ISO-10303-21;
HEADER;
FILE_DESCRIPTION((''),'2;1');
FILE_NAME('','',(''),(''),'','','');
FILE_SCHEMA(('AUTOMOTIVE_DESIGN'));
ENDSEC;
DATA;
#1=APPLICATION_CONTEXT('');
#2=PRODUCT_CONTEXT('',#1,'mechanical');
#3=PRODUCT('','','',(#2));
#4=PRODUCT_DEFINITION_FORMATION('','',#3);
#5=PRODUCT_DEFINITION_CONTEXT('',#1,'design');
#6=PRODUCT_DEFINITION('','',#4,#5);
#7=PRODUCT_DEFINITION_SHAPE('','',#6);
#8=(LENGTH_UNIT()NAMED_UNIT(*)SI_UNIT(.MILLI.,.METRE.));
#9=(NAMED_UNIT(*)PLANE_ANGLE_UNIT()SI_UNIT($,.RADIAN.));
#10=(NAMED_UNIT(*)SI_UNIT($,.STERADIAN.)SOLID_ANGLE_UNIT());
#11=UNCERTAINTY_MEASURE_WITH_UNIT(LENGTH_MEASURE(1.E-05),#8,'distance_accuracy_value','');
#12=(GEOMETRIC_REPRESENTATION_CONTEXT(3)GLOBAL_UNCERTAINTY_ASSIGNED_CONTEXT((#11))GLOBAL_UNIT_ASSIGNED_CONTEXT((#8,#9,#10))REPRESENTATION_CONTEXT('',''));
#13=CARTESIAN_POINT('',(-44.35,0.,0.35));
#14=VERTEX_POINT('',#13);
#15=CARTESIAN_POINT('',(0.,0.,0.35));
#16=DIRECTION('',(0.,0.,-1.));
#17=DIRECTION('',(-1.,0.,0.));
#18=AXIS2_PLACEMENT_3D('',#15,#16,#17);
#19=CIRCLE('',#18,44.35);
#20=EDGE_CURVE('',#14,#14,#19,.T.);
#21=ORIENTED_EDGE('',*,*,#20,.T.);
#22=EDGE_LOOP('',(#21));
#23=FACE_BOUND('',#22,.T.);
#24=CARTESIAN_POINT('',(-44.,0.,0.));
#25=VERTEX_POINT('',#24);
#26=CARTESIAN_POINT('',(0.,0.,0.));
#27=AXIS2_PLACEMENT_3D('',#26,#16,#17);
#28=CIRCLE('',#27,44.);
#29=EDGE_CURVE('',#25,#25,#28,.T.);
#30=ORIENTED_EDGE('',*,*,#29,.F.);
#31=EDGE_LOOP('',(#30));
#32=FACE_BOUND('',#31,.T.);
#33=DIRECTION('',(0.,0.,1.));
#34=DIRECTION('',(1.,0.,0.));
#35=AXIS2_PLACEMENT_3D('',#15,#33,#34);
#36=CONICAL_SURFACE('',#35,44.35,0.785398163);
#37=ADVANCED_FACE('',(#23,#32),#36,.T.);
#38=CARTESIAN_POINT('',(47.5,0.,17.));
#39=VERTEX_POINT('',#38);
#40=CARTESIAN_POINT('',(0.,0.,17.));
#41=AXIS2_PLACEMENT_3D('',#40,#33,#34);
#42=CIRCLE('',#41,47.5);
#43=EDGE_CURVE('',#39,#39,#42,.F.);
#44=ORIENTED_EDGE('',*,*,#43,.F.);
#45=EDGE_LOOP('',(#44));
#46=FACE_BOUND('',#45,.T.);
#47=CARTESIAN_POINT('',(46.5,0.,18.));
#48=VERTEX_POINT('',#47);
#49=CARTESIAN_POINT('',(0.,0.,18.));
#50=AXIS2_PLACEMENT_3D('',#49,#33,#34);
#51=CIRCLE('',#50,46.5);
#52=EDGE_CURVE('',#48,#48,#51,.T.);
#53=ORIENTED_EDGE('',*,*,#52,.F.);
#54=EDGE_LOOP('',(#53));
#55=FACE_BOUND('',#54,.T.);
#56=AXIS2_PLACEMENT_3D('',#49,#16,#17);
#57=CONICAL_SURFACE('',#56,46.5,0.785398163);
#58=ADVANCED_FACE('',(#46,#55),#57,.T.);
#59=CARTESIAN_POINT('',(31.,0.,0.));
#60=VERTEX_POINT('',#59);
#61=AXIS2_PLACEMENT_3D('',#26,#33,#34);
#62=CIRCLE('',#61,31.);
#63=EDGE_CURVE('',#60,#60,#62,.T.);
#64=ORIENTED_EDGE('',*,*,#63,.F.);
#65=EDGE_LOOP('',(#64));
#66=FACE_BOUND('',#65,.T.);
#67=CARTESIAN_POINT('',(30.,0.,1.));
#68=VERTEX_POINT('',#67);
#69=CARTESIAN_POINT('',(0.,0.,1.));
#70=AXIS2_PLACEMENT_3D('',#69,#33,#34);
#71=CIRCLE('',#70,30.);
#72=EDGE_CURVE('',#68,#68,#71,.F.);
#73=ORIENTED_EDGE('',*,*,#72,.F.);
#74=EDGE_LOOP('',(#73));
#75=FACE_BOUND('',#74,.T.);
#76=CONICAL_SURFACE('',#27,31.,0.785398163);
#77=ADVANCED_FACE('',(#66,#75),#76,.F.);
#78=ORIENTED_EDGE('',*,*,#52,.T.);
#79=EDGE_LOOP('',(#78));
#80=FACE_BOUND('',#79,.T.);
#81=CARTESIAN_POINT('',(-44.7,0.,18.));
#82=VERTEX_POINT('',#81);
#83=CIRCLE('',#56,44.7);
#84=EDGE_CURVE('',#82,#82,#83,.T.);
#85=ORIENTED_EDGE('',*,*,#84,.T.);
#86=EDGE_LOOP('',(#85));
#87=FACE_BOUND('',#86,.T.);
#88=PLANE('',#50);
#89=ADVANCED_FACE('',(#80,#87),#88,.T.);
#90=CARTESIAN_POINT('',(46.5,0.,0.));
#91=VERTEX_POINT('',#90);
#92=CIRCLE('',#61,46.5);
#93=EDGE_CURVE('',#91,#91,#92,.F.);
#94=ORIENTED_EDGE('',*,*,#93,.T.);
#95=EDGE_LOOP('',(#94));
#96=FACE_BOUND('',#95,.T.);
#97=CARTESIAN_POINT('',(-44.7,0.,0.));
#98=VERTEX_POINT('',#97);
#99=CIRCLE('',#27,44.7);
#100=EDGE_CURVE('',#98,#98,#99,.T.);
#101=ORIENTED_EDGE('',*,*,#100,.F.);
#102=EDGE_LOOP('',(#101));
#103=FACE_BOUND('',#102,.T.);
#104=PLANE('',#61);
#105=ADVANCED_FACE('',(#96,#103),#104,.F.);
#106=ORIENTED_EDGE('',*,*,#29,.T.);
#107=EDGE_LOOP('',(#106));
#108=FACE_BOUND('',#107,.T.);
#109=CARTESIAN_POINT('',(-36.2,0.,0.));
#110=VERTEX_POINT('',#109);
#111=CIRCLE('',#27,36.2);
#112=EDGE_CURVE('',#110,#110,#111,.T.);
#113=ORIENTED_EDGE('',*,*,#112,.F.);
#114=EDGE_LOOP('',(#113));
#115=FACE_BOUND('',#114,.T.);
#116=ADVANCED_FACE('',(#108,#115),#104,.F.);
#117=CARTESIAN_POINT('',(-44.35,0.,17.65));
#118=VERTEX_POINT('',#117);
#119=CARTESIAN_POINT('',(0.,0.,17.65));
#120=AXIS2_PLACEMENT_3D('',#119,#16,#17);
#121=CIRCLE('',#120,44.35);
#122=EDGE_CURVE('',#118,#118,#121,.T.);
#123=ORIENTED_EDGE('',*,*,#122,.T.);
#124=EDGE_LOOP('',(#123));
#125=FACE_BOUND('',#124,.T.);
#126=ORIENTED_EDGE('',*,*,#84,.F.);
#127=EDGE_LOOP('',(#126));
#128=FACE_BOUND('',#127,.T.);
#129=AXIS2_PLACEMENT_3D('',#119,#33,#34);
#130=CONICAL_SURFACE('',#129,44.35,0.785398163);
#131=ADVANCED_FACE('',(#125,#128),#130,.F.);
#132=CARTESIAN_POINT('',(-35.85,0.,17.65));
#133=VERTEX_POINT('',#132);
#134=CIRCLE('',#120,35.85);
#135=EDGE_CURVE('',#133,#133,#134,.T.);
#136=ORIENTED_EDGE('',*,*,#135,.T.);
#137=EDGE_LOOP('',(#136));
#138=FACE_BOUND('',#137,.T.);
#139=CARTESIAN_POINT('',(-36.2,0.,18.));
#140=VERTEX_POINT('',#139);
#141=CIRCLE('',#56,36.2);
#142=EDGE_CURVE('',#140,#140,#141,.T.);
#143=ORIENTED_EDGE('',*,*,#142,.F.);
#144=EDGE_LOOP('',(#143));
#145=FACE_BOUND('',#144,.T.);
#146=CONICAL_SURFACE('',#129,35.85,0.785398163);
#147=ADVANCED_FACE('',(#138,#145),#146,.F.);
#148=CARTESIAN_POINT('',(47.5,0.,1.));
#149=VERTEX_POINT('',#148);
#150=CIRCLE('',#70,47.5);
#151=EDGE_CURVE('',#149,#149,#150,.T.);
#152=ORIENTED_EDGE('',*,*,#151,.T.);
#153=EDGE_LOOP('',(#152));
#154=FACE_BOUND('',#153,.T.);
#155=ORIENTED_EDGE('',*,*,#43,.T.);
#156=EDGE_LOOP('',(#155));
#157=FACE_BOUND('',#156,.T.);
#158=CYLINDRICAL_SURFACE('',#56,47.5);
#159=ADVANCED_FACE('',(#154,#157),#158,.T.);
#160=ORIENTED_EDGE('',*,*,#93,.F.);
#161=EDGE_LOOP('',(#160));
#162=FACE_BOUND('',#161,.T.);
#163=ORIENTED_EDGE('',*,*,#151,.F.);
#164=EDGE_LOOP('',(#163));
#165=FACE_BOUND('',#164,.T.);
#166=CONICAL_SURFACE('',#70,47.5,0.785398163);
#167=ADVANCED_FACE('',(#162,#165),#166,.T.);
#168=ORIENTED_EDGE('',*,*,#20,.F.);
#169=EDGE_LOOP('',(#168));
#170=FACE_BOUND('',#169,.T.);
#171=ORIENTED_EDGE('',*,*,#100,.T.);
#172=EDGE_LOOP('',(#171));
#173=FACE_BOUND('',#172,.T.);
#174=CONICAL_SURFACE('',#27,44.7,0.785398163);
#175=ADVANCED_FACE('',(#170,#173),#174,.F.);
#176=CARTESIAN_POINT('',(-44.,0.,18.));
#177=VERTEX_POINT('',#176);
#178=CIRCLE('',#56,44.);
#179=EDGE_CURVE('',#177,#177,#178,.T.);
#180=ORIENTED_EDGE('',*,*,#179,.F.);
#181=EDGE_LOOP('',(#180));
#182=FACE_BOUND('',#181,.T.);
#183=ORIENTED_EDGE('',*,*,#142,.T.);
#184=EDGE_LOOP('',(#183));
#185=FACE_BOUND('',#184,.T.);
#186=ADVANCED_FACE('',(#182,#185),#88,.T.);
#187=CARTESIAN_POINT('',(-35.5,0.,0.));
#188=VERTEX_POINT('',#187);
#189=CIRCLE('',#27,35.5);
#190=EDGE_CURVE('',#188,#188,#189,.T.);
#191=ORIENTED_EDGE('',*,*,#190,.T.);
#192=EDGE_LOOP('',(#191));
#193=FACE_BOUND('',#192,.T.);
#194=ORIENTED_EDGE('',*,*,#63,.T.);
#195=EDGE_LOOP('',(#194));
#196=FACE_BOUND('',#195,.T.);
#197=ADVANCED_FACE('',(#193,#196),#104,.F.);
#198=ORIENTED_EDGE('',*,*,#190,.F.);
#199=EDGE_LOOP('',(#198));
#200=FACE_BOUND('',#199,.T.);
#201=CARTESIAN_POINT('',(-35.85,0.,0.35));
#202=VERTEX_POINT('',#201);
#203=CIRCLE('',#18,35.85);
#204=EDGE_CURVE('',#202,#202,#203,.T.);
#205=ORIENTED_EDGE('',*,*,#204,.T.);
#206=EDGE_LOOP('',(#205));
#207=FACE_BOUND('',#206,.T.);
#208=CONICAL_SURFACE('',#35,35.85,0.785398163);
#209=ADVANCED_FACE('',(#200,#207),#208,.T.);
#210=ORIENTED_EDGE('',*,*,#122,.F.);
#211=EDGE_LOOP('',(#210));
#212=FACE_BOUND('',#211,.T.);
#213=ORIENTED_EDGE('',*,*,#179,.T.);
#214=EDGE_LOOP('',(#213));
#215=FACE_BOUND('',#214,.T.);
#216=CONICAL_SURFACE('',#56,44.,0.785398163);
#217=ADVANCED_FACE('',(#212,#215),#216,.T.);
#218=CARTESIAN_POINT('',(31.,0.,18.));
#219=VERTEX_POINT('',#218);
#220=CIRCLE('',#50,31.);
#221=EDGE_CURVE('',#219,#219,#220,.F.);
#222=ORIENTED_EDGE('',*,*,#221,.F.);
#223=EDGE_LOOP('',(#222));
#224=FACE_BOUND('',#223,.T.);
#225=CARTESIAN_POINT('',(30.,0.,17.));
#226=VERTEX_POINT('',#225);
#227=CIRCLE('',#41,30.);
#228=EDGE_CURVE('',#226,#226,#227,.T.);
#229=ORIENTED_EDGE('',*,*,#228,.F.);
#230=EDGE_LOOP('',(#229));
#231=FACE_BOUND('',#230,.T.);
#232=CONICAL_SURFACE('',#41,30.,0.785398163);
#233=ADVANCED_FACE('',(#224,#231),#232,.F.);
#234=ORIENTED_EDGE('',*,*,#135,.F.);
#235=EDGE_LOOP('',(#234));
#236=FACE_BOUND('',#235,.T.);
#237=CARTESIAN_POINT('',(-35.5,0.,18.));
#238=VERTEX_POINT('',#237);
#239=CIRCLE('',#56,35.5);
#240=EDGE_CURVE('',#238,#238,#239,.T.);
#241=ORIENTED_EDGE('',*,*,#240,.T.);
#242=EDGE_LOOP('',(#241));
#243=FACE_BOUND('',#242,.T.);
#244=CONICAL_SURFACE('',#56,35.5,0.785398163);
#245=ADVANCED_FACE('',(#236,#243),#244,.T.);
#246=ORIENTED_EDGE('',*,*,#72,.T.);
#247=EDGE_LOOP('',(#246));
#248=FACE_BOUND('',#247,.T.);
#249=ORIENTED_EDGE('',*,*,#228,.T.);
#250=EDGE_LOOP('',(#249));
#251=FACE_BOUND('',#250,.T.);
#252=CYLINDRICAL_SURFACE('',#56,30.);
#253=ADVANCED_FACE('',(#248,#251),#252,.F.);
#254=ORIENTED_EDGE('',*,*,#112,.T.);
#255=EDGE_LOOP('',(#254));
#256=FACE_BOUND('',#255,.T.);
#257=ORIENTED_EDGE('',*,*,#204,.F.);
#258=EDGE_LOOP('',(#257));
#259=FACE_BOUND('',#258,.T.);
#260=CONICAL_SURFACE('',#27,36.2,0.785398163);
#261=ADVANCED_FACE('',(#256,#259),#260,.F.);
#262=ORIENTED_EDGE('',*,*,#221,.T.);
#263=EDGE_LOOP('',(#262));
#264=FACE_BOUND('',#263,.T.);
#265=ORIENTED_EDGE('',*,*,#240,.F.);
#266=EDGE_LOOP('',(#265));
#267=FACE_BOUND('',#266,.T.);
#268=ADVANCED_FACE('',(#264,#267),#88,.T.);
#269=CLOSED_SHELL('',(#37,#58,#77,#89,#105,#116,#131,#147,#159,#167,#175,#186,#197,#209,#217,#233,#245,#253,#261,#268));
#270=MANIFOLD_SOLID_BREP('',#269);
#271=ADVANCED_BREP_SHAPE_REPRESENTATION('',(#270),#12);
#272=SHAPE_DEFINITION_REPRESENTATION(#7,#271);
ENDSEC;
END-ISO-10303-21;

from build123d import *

# Parameters (mm, degrees)
SKETCH1_R      = 47.5
SKETCH1_R_2    = 30
EXTRUDE1_DEPTH = 18
CHAMFER1_SIZE  = 1


with BuildPart() as part:
    # Sketch1 → Extrude1 (new body)
    with BuildSketch(Plane.XY):
        Circle(SKETCH1_R)
        Circle(SKETCH1_R_2, mode=Mode.SUBTRACT)
    extrude(amount=EXTRUDE1_DEPTH)

    # Chamfer1
    chamfer1_edges = [part.edges().sort_by_distance(p)[0] for p in [
        (-47.5, 0, 0),
        (-47.5, 0, 18),
        (-30, 0, 0),
        (-30, 0, 18),
    ]]
    chamfer(chamfer1_edges, length=CHAMFER1_SIZE)

    # Sketch2 → Cut-Revolve1 (revolve, cut)
    with BuildSketch(Plane(origin=(0, 0, 0), x_dir=(0, 0, -1), z_dir=(1, 0, 0))):
        Polygon((-18, 35.5), (-17.65, 35.85), (-18, 36.2), align=None)
        Polygon((-17.65, 44.35), (-18, 44), (-18, 44.7), align=None)
        Polygon((0, 35.5), (0, 36.2), (-0.35, 35.85), align=None)
        Polygon((0, 44.7), (0, 44), (-0.35, 44.35), align=None)
    revolve(axis=Axis((0, 0, 0), (0, 0, 1)), mode=Mode.SUBTRACT)


solid = part.part
